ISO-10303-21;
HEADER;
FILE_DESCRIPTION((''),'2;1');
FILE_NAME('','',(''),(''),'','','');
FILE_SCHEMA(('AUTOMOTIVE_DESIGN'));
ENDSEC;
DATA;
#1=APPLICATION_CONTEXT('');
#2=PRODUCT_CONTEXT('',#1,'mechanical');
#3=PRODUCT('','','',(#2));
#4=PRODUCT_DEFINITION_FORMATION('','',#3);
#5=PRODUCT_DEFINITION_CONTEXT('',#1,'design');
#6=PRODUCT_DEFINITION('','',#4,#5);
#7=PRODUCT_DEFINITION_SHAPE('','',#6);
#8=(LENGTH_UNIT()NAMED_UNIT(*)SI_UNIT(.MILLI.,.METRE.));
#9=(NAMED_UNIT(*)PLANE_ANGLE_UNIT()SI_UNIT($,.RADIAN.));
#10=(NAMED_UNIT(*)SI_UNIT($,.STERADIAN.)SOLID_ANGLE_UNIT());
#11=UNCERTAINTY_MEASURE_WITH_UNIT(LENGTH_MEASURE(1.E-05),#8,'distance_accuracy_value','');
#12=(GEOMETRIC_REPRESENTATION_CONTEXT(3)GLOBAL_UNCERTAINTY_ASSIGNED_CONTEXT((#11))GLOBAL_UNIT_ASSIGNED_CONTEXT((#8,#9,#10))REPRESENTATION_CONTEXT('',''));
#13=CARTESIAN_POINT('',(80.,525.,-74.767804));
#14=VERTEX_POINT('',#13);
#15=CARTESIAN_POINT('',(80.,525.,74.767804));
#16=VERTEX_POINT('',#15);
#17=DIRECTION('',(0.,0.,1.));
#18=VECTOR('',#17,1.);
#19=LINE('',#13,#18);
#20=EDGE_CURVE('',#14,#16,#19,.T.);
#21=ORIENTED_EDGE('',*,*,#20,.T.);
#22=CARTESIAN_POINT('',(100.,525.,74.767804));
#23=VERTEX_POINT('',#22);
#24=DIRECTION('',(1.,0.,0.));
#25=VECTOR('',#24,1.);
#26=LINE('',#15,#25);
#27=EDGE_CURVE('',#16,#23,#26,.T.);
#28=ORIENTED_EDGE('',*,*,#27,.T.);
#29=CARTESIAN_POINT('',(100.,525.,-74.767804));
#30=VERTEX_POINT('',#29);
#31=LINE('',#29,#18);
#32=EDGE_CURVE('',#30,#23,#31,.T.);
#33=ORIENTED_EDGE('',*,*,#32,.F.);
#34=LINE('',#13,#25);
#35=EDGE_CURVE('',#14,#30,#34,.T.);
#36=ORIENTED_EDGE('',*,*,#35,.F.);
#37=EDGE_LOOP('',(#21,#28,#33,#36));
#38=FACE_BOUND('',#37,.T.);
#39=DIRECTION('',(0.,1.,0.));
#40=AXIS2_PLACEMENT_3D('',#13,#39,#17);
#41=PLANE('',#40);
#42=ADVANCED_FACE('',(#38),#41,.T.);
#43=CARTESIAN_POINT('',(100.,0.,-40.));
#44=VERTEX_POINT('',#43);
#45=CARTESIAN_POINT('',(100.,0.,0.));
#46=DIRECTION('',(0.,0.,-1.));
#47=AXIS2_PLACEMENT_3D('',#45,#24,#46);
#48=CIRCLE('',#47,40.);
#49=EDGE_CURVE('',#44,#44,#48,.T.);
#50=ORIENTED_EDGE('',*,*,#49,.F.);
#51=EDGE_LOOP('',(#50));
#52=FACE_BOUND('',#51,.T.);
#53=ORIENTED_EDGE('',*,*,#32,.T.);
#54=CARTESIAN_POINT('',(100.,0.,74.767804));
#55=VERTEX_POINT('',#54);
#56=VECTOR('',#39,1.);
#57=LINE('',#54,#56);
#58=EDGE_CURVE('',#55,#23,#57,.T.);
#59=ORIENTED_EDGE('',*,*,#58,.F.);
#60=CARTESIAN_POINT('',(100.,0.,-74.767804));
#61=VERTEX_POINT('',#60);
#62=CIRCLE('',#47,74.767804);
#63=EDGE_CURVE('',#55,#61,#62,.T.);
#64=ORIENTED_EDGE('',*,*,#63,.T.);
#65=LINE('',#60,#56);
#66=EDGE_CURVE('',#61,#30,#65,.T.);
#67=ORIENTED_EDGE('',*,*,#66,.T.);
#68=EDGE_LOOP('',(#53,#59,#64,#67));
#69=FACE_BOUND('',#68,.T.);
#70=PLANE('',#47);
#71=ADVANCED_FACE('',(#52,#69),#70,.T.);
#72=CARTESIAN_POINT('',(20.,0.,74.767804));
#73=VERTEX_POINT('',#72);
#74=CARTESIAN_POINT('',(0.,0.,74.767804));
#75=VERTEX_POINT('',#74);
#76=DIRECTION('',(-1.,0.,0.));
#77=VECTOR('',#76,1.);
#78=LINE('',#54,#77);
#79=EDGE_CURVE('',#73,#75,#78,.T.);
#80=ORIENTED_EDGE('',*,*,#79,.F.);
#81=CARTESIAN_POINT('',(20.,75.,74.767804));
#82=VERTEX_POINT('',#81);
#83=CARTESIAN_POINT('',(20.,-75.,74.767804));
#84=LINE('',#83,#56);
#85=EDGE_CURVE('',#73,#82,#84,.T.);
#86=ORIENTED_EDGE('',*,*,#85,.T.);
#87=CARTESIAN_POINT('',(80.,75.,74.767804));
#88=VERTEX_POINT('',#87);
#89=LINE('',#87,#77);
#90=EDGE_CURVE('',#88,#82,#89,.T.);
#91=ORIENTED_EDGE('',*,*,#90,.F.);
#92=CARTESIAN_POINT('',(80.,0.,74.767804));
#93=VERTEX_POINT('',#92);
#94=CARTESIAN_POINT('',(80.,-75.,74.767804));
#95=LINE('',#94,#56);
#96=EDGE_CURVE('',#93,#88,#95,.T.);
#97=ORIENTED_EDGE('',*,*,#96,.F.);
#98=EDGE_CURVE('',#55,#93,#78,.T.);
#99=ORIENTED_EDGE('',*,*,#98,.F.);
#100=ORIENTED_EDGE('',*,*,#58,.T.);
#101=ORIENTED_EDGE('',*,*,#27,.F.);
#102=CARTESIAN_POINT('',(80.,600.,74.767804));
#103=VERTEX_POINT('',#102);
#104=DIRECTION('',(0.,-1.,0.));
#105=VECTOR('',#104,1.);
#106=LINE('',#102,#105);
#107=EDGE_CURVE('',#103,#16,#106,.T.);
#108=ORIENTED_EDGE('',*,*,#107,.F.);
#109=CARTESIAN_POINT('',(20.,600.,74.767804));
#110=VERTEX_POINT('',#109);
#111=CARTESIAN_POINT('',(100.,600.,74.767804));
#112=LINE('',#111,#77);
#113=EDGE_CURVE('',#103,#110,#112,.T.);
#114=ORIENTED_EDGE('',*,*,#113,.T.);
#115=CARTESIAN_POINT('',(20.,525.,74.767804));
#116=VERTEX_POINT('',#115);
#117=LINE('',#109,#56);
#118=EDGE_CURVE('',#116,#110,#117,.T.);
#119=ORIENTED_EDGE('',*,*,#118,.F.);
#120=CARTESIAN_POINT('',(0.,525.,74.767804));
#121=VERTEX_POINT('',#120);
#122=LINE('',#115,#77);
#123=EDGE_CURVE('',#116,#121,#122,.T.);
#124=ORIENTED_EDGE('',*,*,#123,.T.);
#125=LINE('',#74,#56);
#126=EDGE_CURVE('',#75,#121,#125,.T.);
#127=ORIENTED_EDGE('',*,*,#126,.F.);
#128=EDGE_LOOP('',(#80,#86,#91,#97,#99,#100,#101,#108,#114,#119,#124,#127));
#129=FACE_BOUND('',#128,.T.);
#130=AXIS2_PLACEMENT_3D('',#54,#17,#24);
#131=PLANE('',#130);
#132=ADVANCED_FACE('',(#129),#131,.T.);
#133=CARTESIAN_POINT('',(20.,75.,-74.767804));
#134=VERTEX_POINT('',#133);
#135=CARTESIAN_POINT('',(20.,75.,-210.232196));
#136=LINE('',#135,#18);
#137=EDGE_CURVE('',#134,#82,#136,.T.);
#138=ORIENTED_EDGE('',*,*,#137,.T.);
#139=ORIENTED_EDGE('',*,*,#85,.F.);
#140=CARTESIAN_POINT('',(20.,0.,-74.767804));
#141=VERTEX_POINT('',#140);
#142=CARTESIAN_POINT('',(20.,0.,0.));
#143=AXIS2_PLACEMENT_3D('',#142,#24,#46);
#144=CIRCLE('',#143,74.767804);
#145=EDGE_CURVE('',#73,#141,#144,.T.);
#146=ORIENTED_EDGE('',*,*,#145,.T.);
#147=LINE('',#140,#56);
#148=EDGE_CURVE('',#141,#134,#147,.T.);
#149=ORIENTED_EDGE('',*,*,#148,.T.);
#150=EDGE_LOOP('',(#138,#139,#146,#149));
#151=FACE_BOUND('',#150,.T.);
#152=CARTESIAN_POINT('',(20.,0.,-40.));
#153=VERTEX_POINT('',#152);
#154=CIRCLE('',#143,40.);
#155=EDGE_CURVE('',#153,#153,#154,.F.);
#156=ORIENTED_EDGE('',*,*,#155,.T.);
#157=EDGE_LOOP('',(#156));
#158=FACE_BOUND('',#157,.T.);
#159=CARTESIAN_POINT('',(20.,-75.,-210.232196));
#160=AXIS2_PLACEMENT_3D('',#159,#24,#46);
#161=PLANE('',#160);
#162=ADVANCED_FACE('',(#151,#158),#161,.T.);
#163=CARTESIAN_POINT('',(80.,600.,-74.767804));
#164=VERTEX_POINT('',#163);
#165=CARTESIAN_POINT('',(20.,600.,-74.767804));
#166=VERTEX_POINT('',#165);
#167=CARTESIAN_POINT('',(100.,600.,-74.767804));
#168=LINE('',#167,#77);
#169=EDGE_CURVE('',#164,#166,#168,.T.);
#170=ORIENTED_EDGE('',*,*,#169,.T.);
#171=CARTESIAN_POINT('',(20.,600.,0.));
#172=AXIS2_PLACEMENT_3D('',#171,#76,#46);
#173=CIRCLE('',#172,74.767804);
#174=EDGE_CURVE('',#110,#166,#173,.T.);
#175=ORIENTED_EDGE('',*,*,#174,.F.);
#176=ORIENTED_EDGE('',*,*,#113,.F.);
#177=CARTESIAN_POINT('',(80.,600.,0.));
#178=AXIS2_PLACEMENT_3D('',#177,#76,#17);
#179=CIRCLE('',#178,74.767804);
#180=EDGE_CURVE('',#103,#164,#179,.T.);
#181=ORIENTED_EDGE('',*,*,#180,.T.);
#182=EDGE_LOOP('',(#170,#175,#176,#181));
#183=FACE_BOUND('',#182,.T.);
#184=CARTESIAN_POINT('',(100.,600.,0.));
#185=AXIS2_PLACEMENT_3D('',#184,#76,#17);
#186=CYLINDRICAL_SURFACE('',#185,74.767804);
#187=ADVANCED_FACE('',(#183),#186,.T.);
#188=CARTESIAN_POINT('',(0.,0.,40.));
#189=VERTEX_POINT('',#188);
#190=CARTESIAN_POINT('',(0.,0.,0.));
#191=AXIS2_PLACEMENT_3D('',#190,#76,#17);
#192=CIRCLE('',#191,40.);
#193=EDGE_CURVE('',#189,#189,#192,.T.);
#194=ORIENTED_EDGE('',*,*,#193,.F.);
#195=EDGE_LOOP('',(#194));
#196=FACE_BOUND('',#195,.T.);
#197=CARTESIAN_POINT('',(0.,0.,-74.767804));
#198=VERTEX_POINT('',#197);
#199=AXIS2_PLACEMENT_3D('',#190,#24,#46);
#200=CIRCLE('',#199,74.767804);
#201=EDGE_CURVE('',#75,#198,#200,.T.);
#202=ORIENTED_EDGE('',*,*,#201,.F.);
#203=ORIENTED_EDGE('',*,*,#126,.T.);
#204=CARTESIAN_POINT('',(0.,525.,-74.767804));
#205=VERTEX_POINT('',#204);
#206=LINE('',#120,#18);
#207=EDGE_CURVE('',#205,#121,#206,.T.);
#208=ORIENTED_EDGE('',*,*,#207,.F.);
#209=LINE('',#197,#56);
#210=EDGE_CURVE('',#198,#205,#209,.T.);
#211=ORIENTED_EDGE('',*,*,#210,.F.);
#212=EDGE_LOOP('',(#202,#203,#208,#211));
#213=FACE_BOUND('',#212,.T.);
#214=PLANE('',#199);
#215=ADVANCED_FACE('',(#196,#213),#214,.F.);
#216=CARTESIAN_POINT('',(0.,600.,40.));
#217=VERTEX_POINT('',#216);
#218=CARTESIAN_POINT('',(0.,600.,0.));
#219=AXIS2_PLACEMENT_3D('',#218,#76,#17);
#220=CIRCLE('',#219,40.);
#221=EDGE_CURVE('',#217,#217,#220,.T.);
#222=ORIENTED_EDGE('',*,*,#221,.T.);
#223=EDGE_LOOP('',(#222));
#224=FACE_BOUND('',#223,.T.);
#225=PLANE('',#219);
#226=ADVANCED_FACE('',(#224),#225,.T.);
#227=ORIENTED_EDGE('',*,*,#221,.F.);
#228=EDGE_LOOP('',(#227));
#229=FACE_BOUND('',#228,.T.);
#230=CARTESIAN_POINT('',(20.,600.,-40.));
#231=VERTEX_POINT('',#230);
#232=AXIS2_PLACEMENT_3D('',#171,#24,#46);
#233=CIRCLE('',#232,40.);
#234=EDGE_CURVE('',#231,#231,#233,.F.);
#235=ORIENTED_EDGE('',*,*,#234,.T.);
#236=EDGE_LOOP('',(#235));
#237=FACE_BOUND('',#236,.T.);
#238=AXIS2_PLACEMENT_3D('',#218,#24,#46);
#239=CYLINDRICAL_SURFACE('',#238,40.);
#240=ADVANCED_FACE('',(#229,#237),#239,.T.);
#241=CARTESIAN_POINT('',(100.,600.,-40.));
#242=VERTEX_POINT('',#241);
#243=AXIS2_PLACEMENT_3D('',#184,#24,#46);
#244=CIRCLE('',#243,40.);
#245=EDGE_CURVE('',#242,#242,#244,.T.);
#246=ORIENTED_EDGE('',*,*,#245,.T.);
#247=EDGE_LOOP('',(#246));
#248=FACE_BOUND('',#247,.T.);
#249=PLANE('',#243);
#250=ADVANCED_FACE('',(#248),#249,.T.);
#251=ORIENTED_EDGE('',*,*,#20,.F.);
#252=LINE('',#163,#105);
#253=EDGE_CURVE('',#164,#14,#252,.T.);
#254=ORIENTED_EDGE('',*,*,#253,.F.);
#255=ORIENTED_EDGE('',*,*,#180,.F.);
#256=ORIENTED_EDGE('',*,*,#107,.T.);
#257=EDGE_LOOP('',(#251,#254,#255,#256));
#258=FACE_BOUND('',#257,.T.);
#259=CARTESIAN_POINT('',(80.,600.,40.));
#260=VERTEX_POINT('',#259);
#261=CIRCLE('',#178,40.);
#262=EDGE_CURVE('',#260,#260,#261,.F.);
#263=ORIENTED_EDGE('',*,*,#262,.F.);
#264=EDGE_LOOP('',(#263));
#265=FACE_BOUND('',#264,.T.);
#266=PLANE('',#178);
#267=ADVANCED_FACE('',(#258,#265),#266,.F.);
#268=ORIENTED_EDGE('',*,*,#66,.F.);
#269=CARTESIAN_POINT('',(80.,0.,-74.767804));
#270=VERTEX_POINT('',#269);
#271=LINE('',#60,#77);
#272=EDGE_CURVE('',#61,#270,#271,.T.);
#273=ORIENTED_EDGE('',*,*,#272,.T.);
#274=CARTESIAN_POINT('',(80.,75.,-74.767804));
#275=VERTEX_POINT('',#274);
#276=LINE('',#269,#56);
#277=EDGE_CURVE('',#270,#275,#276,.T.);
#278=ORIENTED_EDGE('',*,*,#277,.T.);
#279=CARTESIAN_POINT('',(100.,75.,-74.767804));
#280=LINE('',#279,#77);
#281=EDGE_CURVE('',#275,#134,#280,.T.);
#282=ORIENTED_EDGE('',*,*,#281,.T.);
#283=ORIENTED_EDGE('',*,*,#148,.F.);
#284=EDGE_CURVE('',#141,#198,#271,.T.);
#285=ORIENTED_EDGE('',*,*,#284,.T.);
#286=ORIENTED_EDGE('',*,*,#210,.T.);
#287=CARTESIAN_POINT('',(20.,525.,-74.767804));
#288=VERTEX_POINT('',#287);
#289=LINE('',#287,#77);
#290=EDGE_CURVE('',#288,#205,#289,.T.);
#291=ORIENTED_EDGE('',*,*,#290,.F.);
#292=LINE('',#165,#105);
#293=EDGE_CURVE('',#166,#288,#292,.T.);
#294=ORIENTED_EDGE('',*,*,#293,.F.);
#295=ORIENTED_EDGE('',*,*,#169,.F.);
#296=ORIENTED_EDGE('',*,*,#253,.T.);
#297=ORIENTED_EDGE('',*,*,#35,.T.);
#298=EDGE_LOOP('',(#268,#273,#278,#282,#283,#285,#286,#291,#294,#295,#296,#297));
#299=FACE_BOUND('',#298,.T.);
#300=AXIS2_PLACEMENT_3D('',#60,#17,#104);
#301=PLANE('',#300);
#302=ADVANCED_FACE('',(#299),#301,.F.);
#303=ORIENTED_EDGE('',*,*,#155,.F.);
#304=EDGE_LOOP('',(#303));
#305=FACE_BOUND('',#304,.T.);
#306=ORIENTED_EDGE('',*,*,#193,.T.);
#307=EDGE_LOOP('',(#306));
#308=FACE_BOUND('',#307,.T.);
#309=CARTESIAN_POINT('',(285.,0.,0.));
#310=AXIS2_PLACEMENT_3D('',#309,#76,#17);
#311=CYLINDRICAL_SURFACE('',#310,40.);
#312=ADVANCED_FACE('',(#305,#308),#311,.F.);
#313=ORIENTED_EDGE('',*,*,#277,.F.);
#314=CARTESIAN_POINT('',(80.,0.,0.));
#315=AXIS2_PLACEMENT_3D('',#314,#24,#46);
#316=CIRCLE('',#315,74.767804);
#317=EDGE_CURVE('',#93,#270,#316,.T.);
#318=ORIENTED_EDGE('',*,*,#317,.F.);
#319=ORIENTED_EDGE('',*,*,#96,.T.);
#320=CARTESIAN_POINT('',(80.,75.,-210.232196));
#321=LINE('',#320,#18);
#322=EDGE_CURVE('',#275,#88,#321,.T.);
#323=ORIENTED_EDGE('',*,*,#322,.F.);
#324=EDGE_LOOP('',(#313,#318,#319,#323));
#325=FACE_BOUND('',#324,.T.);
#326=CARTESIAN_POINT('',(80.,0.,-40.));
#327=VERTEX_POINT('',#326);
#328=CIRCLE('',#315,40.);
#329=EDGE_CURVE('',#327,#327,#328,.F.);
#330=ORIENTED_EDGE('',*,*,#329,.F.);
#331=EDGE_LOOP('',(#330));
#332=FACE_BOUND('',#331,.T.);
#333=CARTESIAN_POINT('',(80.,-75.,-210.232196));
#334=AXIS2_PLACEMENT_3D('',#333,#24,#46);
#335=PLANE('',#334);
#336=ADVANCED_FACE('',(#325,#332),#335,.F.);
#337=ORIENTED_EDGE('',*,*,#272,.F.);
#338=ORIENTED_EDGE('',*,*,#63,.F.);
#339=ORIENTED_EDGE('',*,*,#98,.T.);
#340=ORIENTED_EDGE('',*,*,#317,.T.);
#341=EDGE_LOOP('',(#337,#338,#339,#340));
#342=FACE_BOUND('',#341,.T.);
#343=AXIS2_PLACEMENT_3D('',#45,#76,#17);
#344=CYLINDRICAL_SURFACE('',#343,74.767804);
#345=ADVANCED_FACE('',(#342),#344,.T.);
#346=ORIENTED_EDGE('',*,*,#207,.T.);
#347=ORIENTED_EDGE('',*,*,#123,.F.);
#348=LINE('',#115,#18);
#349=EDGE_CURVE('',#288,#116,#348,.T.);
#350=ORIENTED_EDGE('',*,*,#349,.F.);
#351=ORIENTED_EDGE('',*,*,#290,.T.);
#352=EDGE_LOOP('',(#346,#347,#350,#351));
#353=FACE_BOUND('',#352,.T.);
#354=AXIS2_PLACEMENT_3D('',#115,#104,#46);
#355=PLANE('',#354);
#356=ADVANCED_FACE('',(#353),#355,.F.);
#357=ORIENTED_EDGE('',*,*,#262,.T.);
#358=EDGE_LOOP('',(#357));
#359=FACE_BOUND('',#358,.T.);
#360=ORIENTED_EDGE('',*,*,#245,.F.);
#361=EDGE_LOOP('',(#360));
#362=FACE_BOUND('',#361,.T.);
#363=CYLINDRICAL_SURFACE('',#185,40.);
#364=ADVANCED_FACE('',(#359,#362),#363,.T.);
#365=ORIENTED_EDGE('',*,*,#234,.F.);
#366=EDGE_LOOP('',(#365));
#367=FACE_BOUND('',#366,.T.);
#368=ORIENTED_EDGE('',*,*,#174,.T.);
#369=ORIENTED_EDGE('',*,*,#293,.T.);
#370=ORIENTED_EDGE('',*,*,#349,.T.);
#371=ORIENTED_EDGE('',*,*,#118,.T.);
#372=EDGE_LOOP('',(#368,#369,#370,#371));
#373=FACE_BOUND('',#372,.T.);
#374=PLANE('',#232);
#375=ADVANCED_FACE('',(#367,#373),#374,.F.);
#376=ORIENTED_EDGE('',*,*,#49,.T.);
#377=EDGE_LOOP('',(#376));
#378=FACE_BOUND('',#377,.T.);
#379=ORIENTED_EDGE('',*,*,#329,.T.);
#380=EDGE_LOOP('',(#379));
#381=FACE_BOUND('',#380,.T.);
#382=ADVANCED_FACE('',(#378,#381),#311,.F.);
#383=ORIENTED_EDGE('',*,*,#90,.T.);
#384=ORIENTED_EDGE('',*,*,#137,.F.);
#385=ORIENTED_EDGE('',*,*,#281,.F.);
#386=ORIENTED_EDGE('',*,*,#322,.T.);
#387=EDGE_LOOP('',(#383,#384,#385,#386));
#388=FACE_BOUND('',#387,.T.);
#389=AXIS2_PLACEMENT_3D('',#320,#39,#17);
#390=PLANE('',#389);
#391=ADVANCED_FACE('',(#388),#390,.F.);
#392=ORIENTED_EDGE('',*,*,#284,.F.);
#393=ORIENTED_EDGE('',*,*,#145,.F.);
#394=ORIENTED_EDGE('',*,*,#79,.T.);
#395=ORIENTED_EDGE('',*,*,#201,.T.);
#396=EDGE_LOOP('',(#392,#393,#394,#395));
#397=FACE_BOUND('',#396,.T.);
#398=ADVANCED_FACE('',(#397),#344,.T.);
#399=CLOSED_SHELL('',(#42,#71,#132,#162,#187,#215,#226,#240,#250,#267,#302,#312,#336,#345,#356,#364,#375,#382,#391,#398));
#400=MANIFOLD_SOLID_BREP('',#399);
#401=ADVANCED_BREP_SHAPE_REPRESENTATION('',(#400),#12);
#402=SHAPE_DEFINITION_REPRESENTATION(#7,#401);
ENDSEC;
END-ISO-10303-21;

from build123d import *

# Parameters (mm, degrees)
BOSS_EXTRUDE1_DEPTH = 100
CUT_EXTRUDE2_DEPTH  = 20
CUT_EXTRUDE3_START  = -20
CUT_EXTRUDE3_DEPTH  = 20
SKETCH10_R          = 40
BOSS_EXTRUDE6_DEPTH = 20
BOSS_EXTRUDE7_START = 20
SKETCH11_R          = 40
BOSS_EXTRUDE7_DEPTH = 20
SKETCH19_R          = 40
CUT_EXTRUDE7_DEPTH  = 285
SKETCH16_W          = 60
SKETCH16_H          = 150
CUT_EXTRUDE8_DEPTH  = 285


with BuildPart() as part:
    # Sketch1 → Boss-Extrude1 (new body)
    with BuildSketch(Plane(origin=(0, 0, 0), x_dir=(0, 0, -1), z_dir=(1, 0, 0))):
        with BuildLine():
            Line((-74.767803634, 0), (-74.767803634, 600))
            ThreePointArc((-74.767803634, 600), (0, 674.767803634), (74.767803634, 600))
            Line((74.767803634, 600), (74.767803634, 0))
            ThreePointArc((74.767803634, 0), (0, -74.767803634), (-74.767803634, 0))
        make_face()
    extrude(amount=BOSS_EXTRUDE1_DEPTH)

    # Sketch8 → Cut-Extrude2 (cut)
    with BuildSketch(Plane.ZY):
        with BuildLine():
            Line((-74.767803634, 600), (-74.767803634, 525))
            Line((-74.767803634, 525), (74.767803634, 525))
            Line((74.767803634, 525), (74.767803634, 600))
            ThreePointArc((74.767803634, 600), (0, 674.767803634), (-74.767803634, 600))
        make_face()
    extrude(amount=-CUT_EXTRUDE2_DEPTH, mode=Mode.SUBTRACT)

    # Sketch7 → Cut-Extrude3 (cut)
    with BuildSketch(Plane(origin=(100, 0, 0), x_dir=(0, 0, -1), z_dir=(1, 0, 0)).offset(CUT_EXTRUDE3_START)):
        with BuildLine():
            Line((-74.767803634, 600), (-74.767803634, 525))
            Line((-74.767803634, 525), (74.767803634, 525))
            Line((74.767803634, 525), (74.767803634, 600))
            ThreePointArc((74.767803634, 600), (0, 674.767803634), (-74.767803634, 600))
        make_face()
    extrude(amount=CUT_EXTRUDE3_DEPTH, mode=Mode.SUBTRACT)

    # Sketch10 → Boss-Extrude6 (add)
    with BuildSketch(Plane(origin=(80, 0, 0), x_dir=(0, 0, -1), z_dir=(1, 0, 0))):
        with Locations(Location((0, 600, 0), (0, 0, 180))):
            Circle(SKETCH10_R)
    extrude(amount=BOSS_EXTRUDE6_DEPTH)

    # Sketch11 → Boss-Extrude7 (add)
    with BuildSketch(Plane.ZY.offset(-20).offset(BOSS_EXTRUDE7_START)):
        with Locations((0, 600)):
            Circle(SKETCH11_R)
    extrude(amount=-BOSS_EXTRUDE7_DEPTH)

    # Sketch19 → Cut-Extrude7 (cut)
    with BuildSketch(Plane.ZY):
        Circle(SKETCH19_R)
    extrude(amount=-CUT_EXTRUDE7_DEPTH, mode=Mode.SUBTRACT)

    # Sketch16 → Cut-Extrude8 (cut)
    with BuildSketch(Plane.XY.offset(74.767803634)):
        with Locations((50, 0)):
            Rectangle(SKETCH16_W, SKETCH16_H)
    extrude(amount=-CUT_EXTRUDE8_DEPTH, mode=Mode.SUBTRACT)


solid = part.part
